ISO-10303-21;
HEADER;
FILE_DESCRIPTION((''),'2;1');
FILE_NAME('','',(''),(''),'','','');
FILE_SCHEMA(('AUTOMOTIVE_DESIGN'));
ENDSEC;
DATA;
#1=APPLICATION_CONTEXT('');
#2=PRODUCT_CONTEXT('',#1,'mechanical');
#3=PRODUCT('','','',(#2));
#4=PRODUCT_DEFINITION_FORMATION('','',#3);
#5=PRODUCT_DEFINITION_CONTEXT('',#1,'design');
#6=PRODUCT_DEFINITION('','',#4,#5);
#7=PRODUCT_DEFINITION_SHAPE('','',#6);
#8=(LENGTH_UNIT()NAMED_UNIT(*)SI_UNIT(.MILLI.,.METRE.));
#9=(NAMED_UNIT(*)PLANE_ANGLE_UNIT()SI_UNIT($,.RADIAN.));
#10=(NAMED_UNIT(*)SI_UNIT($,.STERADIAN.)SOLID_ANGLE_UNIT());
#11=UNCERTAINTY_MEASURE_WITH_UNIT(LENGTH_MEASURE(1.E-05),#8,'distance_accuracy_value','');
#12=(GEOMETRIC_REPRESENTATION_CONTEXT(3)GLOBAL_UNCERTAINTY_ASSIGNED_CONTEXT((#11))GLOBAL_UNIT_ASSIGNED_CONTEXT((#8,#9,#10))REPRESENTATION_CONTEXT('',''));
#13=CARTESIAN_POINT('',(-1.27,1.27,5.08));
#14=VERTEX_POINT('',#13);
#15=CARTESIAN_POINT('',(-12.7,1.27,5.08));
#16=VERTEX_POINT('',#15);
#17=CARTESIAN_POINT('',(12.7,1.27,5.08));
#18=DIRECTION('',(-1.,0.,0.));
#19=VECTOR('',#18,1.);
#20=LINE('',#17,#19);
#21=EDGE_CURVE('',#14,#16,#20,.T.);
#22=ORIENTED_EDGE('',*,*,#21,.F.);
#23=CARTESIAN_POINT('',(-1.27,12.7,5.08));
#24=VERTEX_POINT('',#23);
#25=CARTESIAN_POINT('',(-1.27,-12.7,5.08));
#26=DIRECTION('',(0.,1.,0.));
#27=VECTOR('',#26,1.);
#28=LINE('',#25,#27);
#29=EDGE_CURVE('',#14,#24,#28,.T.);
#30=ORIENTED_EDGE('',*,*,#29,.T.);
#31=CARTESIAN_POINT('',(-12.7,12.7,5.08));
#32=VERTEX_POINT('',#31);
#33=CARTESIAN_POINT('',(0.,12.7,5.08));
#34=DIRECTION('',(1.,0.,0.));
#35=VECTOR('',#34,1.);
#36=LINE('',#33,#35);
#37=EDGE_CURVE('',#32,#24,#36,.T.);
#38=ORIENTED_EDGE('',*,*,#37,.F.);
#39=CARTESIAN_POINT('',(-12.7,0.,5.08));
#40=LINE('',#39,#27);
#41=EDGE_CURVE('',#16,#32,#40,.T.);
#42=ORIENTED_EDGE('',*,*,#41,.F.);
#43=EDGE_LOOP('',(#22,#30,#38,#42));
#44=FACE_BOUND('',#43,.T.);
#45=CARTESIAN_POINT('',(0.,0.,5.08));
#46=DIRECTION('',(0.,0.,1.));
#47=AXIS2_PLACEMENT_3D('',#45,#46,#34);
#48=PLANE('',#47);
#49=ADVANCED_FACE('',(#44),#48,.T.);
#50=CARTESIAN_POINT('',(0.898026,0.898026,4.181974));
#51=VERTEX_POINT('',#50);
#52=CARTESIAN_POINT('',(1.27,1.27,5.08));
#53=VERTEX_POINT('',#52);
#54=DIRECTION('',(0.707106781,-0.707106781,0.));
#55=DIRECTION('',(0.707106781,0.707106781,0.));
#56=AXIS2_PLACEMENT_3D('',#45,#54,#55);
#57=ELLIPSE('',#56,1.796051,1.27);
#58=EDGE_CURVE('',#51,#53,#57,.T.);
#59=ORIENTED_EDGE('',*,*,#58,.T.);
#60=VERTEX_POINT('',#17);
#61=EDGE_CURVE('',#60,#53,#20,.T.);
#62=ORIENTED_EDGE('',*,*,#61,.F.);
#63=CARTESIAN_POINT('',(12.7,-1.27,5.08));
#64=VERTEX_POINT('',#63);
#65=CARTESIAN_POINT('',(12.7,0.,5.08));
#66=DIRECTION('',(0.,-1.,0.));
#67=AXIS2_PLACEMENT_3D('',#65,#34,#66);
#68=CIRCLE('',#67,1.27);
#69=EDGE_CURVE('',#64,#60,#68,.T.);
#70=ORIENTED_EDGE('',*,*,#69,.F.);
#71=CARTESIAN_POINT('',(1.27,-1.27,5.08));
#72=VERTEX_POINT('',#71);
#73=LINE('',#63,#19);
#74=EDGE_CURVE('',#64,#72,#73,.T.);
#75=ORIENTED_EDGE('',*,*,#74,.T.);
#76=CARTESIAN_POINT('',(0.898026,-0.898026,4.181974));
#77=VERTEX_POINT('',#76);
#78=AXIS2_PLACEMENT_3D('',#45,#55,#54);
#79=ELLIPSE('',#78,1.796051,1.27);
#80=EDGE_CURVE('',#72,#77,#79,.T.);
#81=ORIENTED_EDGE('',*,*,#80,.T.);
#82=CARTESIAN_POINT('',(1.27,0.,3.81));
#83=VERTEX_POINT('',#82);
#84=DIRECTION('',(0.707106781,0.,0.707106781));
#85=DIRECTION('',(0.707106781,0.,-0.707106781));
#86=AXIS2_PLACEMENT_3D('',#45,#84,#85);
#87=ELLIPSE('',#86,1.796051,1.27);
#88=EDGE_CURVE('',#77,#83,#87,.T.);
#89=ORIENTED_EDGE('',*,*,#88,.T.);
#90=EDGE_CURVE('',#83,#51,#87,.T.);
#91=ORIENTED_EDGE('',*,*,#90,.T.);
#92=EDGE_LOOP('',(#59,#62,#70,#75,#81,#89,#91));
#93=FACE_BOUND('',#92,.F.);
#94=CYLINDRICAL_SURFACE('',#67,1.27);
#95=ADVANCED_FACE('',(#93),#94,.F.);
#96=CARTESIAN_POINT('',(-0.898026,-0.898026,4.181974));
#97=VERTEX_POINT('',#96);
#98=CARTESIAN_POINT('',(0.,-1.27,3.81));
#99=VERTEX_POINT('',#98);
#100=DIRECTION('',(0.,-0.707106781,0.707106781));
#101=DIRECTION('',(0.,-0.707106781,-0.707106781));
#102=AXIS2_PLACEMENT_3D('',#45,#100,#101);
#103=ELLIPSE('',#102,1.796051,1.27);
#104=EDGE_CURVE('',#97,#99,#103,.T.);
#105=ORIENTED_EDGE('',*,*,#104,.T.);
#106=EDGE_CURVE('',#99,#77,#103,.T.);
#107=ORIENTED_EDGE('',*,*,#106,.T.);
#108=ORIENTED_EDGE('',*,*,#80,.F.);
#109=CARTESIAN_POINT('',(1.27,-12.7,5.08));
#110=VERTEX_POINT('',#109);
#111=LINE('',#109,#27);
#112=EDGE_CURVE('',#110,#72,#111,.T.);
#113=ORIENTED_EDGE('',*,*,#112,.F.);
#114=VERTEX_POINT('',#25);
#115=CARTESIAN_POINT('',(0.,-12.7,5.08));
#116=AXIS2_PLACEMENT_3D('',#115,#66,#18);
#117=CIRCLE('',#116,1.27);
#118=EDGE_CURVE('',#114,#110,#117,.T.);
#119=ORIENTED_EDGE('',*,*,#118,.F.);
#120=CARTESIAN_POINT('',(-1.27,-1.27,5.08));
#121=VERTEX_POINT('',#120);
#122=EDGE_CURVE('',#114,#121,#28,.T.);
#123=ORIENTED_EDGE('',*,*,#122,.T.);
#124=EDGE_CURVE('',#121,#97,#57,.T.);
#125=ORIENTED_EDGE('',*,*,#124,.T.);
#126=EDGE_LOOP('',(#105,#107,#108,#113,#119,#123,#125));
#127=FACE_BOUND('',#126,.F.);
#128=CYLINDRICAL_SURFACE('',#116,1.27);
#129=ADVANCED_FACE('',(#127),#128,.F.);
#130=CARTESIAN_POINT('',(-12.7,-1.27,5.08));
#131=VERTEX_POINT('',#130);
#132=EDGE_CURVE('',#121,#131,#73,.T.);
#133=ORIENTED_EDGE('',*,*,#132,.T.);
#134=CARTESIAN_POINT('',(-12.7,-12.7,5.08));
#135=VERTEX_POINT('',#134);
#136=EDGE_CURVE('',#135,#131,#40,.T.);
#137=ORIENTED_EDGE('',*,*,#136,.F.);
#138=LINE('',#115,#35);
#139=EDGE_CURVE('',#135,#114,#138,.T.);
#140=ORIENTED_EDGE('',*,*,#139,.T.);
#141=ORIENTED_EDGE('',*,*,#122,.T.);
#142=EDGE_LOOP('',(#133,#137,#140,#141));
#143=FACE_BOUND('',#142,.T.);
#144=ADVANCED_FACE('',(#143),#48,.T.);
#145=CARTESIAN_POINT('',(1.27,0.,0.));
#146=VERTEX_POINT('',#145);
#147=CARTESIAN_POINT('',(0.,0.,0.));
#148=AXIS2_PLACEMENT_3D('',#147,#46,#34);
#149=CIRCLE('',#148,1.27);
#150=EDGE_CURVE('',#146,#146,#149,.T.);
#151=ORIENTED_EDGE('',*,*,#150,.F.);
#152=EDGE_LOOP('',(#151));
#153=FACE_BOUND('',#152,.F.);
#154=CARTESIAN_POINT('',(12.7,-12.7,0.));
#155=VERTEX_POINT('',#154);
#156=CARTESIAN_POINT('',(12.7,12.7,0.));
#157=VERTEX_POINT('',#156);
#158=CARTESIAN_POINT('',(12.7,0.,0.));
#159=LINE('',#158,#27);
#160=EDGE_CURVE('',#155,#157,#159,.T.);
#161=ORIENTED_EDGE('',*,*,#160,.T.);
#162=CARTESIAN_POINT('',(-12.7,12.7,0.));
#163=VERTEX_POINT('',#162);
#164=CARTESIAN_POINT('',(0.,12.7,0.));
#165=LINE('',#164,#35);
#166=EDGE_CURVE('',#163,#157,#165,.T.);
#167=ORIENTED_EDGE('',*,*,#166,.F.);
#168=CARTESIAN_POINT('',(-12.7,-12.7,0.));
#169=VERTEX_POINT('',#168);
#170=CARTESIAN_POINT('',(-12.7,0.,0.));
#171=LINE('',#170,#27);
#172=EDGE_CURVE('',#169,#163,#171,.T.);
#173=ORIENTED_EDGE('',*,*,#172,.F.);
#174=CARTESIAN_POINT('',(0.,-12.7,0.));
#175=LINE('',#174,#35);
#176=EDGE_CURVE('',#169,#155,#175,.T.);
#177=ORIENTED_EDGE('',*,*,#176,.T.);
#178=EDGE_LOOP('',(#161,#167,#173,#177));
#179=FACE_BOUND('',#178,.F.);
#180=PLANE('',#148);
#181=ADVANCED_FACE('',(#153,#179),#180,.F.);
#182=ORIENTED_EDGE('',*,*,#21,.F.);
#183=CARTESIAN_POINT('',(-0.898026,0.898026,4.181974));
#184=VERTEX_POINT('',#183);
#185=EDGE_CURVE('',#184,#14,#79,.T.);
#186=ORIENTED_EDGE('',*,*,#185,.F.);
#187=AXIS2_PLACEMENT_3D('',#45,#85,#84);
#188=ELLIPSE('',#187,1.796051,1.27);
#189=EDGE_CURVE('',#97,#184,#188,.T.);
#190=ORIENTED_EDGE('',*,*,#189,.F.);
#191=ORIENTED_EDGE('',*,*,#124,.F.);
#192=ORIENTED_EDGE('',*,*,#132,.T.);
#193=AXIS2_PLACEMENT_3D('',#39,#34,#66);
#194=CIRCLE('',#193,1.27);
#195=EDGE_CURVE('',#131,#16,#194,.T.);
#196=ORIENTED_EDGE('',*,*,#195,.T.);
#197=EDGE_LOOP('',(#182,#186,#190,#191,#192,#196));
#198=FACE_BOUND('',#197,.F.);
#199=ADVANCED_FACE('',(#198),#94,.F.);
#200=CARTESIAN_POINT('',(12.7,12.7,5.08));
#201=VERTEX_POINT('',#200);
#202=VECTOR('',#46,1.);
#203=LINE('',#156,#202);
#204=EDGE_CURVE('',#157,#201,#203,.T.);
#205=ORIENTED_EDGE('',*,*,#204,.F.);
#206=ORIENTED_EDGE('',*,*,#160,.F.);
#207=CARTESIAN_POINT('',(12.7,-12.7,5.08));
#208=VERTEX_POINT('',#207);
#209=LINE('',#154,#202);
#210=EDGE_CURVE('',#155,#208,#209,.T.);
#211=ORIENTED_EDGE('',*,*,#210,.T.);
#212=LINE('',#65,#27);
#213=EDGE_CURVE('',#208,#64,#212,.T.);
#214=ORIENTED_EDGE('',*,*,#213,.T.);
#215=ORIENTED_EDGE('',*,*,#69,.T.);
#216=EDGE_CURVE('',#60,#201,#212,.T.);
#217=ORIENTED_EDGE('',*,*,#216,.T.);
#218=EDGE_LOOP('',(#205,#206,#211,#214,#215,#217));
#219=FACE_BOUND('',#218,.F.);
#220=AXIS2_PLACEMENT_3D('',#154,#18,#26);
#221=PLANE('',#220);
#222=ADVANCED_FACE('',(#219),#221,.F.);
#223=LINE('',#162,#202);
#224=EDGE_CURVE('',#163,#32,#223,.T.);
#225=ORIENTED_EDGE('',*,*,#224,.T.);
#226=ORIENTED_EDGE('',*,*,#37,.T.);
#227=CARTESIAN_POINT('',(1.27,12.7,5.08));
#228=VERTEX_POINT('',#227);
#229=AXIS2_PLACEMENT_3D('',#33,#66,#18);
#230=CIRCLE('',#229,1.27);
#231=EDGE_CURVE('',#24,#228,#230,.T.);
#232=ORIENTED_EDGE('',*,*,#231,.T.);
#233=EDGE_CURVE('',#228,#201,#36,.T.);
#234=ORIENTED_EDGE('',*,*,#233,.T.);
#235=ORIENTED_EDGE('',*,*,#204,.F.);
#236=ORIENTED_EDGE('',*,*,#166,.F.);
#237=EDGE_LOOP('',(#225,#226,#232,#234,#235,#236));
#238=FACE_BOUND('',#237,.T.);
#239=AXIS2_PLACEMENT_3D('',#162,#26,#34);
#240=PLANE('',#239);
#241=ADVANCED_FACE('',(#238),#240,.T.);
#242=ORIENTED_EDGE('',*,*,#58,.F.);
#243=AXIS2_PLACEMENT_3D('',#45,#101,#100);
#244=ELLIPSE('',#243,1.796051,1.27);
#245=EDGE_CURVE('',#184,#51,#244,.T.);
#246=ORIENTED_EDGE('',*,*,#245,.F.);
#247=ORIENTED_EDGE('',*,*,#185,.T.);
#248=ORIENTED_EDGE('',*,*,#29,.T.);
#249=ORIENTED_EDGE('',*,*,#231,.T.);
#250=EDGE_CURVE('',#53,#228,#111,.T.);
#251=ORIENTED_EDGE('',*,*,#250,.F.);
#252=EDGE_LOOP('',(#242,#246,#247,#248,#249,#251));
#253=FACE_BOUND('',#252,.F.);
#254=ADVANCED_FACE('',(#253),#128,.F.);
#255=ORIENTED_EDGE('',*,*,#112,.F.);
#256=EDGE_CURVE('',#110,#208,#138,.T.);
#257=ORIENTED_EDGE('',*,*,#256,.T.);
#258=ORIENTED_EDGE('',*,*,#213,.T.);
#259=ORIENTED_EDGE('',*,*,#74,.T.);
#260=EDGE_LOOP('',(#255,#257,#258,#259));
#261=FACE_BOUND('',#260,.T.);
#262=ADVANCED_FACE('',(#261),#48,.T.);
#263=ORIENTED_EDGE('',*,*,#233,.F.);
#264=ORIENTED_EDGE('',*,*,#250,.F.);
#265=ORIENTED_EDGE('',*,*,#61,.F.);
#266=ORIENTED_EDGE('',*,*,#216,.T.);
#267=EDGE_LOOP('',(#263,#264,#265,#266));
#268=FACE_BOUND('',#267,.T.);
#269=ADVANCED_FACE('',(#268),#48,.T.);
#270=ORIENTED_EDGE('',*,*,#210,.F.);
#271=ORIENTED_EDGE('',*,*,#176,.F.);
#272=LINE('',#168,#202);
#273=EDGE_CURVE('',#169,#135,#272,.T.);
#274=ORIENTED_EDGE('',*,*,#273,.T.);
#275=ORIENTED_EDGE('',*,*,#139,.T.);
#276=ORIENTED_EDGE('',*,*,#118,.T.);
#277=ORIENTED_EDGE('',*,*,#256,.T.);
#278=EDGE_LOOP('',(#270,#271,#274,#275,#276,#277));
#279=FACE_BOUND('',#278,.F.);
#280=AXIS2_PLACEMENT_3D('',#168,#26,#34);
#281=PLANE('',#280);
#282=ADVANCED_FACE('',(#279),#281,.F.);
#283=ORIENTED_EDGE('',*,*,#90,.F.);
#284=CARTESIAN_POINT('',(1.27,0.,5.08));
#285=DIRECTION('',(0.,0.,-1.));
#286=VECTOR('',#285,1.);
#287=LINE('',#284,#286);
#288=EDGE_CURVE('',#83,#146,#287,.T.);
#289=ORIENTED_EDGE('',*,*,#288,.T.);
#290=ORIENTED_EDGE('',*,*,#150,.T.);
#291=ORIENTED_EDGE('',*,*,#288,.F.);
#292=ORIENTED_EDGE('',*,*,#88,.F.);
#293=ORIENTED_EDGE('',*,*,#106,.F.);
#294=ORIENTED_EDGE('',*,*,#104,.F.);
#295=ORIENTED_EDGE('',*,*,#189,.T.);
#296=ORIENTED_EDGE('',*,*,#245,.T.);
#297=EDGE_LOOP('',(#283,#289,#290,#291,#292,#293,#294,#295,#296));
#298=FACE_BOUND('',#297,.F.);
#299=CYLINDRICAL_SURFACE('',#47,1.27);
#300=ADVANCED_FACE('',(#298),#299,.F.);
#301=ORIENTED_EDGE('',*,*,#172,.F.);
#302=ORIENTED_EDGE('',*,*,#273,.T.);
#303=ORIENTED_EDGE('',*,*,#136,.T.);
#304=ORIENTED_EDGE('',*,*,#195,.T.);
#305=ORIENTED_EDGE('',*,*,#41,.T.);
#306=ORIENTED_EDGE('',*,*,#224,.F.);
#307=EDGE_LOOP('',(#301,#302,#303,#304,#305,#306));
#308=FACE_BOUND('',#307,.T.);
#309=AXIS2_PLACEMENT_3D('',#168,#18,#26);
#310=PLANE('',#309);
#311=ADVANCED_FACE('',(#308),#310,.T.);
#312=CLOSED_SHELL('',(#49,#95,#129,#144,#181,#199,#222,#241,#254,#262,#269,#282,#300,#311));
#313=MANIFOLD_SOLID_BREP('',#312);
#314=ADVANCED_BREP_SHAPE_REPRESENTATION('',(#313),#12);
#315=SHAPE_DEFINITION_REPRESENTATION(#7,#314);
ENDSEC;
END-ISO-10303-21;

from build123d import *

# Parameters (mm, degrees)
F0_W     = 25.4
F0_H     = 25.4
F1_DEPTH = 5.08
F3_DEPTH = 25.4
F5_DEPTH = 25.4
F6_R     = 1.27
F7_DEPTH = 25.4


with BuildPart() as f1:
    # F0 (on Top) → F1 (new body)
    with BuildSketch(Plane.XY):
        Rectangle(F0_W, F0_H)
    extrude(amount=F1_DEPTH)

    # F2 (on face) → F3 (cut)
    with BuildSketch(Plane.YZ.offset(12.7)):
        with BuildLine():
            ThreePointArc((-1.27, 5.08), (0, 3.81), (1.27, 5.08))
            Line((1.27, 5.08), (-1.27, 5.08))
        make_face()
    extrude(amount=-F3_DEPTH, mode=Mode.SUBTRACT)

    # F4 (on face) → F5 (cut)
    with BuildSketch(Plane.XZ.offset(12.7)):
        with BuildLine():
            ThreePointArc((-1.27, 5.08), (0, 3.81), (1.27, 5.08))
            Line((1.27, 5.08), (-1.27, 5.08))
        make_face()
    extrude(amount=-F5_DEPTH, mode=Mode.SUBTRACT)

    # F6 (on face) → F7 (cut)
    with BuildSketch(Plane.XY.offset(5.08)):
        Circle(F6_R)
    extrude(amount=-F7_DEPTH, mode=Mode.SUBTRACT)


solid = f1.part
